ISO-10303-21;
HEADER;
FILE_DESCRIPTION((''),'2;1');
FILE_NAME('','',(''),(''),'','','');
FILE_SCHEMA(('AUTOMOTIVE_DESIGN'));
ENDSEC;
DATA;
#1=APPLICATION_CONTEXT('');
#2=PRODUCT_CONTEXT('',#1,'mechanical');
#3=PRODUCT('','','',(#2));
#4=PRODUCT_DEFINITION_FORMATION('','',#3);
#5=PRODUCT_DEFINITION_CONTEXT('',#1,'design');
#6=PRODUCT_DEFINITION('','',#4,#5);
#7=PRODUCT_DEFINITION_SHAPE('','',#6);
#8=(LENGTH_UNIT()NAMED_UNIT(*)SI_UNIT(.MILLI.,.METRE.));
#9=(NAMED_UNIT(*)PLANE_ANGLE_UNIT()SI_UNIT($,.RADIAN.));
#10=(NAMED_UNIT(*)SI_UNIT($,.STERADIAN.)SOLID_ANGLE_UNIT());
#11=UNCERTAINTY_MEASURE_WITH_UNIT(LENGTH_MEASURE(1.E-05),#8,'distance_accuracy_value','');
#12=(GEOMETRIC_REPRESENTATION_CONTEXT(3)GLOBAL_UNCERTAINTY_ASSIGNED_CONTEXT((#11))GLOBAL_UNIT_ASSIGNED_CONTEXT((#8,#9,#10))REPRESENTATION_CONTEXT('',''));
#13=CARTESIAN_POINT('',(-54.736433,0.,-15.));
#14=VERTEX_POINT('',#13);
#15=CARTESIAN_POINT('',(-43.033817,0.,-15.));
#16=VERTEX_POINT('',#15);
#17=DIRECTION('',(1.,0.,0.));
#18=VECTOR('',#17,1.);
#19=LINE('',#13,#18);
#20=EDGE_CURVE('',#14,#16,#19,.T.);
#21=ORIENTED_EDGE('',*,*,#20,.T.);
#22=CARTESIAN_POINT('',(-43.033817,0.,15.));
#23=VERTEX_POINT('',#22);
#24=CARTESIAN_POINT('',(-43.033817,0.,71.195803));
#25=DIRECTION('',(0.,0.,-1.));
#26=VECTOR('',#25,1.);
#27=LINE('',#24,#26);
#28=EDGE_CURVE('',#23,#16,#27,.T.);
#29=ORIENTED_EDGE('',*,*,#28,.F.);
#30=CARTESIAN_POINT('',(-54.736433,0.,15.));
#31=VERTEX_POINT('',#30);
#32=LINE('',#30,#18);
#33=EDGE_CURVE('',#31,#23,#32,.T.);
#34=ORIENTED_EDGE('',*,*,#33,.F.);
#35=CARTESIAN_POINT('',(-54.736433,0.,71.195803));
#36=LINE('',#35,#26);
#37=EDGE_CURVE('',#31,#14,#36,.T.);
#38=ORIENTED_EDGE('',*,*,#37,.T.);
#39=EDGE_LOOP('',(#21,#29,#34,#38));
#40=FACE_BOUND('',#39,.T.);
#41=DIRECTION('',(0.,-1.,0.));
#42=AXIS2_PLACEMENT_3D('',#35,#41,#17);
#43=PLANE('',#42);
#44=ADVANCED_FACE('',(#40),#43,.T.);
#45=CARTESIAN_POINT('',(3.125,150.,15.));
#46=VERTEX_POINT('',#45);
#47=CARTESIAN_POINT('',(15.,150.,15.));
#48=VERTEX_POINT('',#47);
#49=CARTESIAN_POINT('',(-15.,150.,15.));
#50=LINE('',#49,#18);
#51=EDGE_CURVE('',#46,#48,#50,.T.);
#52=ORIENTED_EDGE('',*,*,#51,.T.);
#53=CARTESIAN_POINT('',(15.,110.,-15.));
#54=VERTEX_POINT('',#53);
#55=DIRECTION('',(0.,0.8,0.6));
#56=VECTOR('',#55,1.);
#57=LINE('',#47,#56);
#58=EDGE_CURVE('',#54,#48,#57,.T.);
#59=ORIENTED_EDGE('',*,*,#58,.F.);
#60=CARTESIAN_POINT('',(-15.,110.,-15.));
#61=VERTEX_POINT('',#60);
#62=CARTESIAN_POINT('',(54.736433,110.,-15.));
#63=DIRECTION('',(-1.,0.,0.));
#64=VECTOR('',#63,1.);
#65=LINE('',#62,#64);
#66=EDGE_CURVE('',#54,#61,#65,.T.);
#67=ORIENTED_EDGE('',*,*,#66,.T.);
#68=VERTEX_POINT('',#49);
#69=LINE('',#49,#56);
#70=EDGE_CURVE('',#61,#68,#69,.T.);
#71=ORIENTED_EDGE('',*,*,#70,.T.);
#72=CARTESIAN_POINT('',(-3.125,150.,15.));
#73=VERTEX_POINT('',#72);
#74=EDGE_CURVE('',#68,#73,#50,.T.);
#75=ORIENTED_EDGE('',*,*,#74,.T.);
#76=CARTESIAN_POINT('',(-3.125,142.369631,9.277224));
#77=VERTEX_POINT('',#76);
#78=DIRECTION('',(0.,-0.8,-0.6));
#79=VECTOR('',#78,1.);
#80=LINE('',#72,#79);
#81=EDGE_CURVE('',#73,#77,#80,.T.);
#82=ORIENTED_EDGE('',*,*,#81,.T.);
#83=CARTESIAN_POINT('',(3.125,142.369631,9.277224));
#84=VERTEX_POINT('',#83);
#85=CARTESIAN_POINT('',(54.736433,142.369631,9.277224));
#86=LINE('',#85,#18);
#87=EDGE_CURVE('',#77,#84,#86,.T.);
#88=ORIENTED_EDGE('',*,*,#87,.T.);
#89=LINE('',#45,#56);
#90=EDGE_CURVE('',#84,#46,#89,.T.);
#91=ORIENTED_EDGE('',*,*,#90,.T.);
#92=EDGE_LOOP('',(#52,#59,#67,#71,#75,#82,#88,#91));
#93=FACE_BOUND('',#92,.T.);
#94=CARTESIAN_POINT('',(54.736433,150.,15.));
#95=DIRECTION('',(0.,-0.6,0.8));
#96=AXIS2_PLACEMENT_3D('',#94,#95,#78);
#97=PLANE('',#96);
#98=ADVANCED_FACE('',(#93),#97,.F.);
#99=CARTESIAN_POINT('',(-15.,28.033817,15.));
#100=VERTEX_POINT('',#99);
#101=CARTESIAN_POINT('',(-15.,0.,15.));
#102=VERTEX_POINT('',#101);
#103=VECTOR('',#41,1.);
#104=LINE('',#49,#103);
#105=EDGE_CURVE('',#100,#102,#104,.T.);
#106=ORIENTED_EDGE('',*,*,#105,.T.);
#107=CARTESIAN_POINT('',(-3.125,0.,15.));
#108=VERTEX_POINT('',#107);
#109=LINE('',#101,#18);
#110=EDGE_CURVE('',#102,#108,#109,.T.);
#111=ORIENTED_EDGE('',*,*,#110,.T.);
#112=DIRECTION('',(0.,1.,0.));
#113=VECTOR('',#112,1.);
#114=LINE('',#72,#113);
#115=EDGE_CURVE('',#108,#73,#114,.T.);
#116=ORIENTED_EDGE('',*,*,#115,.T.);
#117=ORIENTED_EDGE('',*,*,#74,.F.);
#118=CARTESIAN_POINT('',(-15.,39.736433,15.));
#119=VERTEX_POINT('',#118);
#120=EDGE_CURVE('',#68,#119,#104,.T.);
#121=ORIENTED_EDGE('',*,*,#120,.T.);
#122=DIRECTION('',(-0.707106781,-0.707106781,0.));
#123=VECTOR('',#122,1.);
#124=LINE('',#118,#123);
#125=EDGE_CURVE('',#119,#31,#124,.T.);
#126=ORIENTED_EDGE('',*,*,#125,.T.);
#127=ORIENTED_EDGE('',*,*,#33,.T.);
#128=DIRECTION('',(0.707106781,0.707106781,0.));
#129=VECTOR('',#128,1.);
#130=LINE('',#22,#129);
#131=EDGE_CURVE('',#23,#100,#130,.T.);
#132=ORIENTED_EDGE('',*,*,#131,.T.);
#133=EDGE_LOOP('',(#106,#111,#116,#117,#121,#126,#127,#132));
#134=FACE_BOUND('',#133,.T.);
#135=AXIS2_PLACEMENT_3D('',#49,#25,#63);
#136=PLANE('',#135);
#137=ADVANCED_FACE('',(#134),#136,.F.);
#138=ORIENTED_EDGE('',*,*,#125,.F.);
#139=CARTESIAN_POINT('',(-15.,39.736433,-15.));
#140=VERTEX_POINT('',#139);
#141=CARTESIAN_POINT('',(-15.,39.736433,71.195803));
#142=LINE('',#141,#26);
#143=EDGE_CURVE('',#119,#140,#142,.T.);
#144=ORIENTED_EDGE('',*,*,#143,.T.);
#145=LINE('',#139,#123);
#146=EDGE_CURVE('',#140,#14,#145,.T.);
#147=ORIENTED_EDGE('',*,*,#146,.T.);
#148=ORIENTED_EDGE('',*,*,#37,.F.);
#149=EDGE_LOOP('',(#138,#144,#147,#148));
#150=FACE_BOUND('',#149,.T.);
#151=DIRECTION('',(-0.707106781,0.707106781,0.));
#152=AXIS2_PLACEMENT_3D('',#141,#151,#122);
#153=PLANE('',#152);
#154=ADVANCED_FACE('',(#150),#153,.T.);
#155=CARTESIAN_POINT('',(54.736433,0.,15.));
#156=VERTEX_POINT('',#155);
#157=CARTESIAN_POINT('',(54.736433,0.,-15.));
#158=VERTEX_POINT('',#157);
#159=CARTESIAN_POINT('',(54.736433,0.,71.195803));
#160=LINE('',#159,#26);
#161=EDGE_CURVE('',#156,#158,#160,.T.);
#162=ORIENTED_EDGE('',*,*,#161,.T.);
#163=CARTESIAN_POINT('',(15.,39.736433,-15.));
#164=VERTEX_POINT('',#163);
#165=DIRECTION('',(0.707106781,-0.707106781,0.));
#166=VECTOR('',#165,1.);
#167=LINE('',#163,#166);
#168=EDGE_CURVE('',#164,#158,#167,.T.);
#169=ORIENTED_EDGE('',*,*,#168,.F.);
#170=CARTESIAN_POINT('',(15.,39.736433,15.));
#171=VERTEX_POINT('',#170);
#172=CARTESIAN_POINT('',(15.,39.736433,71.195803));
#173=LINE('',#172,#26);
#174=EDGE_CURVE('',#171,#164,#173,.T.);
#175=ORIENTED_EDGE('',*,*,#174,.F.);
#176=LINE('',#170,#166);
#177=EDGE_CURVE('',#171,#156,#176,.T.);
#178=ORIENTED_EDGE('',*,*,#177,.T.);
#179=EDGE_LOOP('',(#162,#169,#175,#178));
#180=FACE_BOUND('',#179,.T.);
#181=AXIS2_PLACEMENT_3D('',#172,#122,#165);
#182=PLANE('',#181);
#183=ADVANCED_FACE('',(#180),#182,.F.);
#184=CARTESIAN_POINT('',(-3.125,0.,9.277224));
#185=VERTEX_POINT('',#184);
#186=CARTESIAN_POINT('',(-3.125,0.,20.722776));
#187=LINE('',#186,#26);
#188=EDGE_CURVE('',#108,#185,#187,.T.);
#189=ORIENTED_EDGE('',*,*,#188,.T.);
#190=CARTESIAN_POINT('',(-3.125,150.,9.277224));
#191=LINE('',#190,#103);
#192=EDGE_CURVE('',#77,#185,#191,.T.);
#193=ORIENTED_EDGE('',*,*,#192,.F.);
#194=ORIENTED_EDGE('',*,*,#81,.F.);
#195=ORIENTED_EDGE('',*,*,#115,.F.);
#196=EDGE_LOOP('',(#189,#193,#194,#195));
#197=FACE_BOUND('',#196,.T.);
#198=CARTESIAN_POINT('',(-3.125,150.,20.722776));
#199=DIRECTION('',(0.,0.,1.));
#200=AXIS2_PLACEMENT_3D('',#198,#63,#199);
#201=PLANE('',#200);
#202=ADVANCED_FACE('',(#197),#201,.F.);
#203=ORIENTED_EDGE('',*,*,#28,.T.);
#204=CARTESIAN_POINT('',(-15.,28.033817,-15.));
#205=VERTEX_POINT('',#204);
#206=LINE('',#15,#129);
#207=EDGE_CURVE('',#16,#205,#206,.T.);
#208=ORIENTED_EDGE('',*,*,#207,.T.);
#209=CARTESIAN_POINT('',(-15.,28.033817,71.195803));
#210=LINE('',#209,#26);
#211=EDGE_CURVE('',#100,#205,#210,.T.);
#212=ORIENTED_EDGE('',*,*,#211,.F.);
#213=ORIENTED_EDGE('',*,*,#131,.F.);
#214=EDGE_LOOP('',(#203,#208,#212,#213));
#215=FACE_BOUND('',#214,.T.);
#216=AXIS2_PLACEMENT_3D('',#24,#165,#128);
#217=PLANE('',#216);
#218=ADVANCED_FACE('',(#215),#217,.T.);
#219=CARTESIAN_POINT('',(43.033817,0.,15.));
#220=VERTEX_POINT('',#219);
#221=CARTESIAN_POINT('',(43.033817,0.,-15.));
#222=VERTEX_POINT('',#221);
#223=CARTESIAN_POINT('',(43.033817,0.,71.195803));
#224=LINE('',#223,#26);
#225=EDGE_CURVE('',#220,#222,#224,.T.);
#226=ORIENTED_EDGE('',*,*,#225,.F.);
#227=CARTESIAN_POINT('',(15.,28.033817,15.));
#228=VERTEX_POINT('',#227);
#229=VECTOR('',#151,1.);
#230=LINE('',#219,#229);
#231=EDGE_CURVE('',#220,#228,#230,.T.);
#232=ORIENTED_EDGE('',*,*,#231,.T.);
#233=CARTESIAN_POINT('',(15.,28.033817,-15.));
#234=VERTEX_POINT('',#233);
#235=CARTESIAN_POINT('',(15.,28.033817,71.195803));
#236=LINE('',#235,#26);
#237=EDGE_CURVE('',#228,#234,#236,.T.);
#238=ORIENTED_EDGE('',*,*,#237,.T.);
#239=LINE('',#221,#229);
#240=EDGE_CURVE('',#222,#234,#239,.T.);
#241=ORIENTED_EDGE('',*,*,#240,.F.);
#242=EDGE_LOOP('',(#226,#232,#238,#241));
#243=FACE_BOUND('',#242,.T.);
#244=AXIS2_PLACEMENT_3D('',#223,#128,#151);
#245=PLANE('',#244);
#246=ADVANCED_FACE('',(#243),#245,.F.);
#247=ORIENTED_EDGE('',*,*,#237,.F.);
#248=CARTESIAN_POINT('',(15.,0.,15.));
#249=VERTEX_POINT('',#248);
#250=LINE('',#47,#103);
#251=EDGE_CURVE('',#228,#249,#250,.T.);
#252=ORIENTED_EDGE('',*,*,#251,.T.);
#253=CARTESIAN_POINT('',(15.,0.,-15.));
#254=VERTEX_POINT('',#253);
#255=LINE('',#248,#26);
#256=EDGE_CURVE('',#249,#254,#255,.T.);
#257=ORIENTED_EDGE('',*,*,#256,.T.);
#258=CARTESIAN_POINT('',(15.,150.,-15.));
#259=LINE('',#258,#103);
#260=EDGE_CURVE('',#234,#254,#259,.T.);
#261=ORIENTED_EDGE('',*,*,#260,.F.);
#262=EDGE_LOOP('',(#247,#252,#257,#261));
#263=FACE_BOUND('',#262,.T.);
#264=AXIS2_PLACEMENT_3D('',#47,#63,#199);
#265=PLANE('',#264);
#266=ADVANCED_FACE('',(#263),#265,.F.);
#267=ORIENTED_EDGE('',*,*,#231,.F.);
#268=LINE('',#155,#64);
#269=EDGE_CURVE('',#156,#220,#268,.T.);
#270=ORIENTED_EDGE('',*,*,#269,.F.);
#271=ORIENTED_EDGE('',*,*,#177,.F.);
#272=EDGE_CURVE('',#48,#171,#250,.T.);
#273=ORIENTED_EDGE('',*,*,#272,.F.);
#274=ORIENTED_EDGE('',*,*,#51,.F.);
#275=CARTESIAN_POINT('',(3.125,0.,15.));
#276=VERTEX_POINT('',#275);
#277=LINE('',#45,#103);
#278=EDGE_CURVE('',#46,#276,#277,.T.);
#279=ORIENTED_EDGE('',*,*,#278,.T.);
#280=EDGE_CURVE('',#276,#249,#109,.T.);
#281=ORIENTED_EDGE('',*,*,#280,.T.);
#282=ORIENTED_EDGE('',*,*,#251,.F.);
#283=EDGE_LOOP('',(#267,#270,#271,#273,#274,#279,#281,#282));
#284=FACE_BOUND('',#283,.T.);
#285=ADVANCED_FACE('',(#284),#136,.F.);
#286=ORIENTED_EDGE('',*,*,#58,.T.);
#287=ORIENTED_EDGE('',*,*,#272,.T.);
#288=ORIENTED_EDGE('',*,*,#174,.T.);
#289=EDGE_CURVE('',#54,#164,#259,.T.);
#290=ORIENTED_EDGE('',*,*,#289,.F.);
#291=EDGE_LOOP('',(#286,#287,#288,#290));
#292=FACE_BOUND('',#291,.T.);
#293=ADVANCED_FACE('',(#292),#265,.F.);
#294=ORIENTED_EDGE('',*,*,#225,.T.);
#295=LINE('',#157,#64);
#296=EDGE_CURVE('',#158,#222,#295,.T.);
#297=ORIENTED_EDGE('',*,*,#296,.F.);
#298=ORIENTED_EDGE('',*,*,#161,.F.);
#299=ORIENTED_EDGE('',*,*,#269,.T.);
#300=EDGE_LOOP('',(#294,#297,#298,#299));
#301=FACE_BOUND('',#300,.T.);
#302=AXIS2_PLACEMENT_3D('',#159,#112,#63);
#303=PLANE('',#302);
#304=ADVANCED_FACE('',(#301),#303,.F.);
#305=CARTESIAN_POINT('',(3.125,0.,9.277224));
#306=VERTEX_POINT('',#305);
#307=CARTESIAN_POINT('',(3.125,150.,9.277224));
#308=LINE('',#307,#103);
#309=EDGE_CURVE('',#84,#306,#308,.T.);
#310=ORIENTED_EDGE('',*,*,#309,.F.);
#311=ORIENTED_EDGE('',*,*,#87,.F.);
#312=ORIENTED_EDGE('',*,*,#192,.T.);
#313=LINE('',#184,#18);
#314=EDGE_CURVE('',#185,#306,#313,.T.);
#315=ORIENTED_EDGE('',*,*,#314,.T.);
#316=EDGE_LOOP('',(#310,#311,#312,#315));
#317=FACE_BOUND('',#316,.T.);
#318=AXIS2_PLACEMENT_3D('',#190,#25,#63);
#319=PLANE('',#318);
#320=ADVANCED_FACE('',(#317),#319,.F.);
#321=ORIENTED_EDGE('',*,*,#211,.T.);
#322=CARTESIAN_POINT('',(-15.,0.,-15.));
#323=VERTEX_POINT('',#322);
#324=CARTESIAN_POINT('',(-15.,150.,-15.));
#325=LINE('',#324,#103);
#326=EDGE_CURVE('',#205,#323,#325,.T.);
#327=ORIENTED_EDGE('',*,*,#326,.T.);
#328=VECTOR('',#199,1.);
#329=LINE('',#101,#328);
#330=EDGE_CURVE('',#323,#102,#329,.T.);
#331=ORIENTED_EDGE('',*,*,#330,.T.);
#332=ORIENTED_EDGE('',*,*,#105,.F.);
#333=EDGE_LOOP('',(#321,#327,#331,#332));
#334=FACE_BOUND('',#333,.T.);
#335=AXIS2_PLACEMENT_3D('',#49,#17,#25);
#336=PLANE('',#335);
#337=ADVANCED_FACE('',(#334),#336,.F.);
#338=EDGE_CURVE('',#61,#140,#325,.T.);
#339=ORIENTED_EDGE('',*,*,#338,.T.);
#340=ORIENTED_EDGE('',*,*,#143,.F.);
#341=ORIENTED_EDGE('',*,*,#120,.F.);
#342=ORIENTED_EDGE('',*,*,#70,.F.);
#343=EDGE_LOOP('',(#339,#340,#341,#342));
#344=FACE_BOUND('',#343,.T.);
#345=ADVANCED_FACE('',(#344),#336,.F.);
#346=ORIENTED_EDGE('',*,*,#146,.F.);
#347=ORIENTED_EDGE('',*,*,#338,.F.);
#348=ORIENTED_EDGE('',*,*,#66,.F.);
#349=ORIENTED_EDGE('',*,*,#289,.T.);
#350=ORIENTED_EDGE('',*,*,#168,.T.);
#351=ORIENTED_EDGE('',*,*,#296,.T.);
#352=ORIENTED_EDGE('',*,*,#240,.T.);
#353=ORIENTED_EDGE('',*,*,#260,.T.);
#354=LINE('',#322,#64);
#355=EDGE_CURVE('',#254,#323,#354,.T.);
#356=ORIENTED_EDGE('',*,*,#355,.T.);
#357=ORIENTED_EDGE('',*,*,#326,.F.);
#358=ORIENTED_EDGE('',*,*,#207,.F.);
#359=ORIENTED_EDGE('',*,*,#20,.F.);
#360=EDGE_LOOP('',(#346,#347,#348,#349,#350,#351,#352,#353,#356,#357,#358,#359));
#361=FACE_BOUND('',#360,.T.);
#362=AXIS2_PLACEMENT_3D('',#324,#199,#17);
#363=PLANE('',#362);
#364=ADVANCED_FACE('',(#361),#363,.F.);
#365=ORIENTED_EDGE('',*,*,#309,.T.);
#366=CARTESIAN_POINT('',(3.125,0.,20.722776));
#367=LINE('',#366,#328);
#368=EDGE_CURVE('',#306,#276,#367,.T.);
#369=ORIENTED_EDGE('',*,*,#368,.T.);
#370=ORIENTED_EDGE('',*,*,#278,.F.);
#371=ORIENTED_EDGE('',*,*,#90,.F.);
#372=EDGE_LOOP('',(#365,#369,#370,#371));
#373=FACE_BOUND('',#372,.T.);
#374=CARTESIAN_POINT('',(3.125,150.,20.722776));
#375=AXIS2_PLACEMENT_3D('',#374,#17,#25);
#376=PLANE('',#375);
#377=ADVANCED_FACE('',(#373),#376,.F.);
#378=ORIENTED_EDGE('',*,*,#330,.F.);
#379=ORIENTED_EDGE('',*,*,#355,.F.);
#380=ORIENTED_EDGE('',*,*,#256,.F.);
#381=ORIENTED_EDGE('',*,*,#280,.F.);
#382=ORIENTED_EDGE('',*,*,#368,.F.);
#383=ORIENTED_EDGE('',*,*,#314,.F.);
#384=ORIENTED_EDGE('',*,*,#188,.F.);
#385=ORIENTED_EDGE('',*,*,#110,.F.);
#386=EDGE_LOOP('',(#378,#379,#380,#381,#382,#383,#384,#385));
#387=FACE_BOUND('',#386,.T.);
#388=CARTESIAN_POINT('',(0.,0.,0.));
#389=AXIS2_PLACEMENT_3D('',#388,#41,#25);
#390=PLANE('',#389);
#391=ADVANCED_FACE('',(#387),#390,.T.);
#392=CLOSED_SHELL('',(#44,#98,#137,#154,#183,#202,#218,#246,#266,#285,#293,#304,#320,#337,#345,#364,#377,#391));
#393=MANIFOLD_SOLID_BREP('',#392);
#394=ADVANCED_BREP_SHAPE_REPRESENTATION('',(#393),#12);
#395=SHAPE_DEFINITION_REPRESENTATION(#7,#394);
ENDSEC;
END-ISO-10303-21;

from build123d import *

# Parameters (mm, degrees)
SKETCH1_W           = 30
SKETCH1_H           = 30
BOSS_EXTRUDE1_DEPTH = 150
BOSS_EXTRUDE2_DEPTH = 15
CUT_EXTRUDE1_DEPTH  = 70.736433232
SKETCH4_W           = 6.25
SKETCH4_H           = 11.445552978
CUT_EXTRUDE2_DEPTH  = 151


with BuildPart() as part:
    # Sketch1 → Boss-Extrude1 (new body)
    with BuildSketch(Plane(origin=(0, 0, 0), x_dir=(1, 0, 0), z_dir=(0, 1, 0))):
        Rectangle(SKETCH1_W, SKETCH1_H)
    extrude(amount=BOSS_EXTRUDE1_DEPTH)

    # Sketch2 → Boss-Extrude2 (add, symmetric)
    with BuildSketch(Plane.XY):
        Polygon((15, 39.736433232), (54.736433232, 0), (43.033817395, 0), (15, 28.033817395), align=None)
    boss_extrude2 = extrude(amount=BOSS_EXTRUDE2_DEPTH, both=True)

    # Mirror1: Boss-Extrude2 across plane
    add(boss_extrude2.mirror(Plane(origin=(0, 0, 0), x_dir=(0, 0, 1), z_dir=(1, 0, 0))))

    # Sketch3 → Cut-Extrude1 (cut, through all)
    with BuildSketch(Plane.ZY.offset(15)):
        Polygon((15, 150), (-15, 110), (-15, 150), align=None)
    extrude(amount=-CUT_EXTRUDE1_DEPTH, mode=Mode.SUBTRACT)

    # Sketch4 → Cut-Extrude2 (cut, through all)
    with BuildSketch(Plane.XZ):
        with Locations((0, 15)):
            Rectangle(SKETCH4_W, SKETCH4_H)
    extrude(amount=-CUT_EXTRUDE2_DEPTH, mode=Mode.SUBTRACT)


solid = part.part
